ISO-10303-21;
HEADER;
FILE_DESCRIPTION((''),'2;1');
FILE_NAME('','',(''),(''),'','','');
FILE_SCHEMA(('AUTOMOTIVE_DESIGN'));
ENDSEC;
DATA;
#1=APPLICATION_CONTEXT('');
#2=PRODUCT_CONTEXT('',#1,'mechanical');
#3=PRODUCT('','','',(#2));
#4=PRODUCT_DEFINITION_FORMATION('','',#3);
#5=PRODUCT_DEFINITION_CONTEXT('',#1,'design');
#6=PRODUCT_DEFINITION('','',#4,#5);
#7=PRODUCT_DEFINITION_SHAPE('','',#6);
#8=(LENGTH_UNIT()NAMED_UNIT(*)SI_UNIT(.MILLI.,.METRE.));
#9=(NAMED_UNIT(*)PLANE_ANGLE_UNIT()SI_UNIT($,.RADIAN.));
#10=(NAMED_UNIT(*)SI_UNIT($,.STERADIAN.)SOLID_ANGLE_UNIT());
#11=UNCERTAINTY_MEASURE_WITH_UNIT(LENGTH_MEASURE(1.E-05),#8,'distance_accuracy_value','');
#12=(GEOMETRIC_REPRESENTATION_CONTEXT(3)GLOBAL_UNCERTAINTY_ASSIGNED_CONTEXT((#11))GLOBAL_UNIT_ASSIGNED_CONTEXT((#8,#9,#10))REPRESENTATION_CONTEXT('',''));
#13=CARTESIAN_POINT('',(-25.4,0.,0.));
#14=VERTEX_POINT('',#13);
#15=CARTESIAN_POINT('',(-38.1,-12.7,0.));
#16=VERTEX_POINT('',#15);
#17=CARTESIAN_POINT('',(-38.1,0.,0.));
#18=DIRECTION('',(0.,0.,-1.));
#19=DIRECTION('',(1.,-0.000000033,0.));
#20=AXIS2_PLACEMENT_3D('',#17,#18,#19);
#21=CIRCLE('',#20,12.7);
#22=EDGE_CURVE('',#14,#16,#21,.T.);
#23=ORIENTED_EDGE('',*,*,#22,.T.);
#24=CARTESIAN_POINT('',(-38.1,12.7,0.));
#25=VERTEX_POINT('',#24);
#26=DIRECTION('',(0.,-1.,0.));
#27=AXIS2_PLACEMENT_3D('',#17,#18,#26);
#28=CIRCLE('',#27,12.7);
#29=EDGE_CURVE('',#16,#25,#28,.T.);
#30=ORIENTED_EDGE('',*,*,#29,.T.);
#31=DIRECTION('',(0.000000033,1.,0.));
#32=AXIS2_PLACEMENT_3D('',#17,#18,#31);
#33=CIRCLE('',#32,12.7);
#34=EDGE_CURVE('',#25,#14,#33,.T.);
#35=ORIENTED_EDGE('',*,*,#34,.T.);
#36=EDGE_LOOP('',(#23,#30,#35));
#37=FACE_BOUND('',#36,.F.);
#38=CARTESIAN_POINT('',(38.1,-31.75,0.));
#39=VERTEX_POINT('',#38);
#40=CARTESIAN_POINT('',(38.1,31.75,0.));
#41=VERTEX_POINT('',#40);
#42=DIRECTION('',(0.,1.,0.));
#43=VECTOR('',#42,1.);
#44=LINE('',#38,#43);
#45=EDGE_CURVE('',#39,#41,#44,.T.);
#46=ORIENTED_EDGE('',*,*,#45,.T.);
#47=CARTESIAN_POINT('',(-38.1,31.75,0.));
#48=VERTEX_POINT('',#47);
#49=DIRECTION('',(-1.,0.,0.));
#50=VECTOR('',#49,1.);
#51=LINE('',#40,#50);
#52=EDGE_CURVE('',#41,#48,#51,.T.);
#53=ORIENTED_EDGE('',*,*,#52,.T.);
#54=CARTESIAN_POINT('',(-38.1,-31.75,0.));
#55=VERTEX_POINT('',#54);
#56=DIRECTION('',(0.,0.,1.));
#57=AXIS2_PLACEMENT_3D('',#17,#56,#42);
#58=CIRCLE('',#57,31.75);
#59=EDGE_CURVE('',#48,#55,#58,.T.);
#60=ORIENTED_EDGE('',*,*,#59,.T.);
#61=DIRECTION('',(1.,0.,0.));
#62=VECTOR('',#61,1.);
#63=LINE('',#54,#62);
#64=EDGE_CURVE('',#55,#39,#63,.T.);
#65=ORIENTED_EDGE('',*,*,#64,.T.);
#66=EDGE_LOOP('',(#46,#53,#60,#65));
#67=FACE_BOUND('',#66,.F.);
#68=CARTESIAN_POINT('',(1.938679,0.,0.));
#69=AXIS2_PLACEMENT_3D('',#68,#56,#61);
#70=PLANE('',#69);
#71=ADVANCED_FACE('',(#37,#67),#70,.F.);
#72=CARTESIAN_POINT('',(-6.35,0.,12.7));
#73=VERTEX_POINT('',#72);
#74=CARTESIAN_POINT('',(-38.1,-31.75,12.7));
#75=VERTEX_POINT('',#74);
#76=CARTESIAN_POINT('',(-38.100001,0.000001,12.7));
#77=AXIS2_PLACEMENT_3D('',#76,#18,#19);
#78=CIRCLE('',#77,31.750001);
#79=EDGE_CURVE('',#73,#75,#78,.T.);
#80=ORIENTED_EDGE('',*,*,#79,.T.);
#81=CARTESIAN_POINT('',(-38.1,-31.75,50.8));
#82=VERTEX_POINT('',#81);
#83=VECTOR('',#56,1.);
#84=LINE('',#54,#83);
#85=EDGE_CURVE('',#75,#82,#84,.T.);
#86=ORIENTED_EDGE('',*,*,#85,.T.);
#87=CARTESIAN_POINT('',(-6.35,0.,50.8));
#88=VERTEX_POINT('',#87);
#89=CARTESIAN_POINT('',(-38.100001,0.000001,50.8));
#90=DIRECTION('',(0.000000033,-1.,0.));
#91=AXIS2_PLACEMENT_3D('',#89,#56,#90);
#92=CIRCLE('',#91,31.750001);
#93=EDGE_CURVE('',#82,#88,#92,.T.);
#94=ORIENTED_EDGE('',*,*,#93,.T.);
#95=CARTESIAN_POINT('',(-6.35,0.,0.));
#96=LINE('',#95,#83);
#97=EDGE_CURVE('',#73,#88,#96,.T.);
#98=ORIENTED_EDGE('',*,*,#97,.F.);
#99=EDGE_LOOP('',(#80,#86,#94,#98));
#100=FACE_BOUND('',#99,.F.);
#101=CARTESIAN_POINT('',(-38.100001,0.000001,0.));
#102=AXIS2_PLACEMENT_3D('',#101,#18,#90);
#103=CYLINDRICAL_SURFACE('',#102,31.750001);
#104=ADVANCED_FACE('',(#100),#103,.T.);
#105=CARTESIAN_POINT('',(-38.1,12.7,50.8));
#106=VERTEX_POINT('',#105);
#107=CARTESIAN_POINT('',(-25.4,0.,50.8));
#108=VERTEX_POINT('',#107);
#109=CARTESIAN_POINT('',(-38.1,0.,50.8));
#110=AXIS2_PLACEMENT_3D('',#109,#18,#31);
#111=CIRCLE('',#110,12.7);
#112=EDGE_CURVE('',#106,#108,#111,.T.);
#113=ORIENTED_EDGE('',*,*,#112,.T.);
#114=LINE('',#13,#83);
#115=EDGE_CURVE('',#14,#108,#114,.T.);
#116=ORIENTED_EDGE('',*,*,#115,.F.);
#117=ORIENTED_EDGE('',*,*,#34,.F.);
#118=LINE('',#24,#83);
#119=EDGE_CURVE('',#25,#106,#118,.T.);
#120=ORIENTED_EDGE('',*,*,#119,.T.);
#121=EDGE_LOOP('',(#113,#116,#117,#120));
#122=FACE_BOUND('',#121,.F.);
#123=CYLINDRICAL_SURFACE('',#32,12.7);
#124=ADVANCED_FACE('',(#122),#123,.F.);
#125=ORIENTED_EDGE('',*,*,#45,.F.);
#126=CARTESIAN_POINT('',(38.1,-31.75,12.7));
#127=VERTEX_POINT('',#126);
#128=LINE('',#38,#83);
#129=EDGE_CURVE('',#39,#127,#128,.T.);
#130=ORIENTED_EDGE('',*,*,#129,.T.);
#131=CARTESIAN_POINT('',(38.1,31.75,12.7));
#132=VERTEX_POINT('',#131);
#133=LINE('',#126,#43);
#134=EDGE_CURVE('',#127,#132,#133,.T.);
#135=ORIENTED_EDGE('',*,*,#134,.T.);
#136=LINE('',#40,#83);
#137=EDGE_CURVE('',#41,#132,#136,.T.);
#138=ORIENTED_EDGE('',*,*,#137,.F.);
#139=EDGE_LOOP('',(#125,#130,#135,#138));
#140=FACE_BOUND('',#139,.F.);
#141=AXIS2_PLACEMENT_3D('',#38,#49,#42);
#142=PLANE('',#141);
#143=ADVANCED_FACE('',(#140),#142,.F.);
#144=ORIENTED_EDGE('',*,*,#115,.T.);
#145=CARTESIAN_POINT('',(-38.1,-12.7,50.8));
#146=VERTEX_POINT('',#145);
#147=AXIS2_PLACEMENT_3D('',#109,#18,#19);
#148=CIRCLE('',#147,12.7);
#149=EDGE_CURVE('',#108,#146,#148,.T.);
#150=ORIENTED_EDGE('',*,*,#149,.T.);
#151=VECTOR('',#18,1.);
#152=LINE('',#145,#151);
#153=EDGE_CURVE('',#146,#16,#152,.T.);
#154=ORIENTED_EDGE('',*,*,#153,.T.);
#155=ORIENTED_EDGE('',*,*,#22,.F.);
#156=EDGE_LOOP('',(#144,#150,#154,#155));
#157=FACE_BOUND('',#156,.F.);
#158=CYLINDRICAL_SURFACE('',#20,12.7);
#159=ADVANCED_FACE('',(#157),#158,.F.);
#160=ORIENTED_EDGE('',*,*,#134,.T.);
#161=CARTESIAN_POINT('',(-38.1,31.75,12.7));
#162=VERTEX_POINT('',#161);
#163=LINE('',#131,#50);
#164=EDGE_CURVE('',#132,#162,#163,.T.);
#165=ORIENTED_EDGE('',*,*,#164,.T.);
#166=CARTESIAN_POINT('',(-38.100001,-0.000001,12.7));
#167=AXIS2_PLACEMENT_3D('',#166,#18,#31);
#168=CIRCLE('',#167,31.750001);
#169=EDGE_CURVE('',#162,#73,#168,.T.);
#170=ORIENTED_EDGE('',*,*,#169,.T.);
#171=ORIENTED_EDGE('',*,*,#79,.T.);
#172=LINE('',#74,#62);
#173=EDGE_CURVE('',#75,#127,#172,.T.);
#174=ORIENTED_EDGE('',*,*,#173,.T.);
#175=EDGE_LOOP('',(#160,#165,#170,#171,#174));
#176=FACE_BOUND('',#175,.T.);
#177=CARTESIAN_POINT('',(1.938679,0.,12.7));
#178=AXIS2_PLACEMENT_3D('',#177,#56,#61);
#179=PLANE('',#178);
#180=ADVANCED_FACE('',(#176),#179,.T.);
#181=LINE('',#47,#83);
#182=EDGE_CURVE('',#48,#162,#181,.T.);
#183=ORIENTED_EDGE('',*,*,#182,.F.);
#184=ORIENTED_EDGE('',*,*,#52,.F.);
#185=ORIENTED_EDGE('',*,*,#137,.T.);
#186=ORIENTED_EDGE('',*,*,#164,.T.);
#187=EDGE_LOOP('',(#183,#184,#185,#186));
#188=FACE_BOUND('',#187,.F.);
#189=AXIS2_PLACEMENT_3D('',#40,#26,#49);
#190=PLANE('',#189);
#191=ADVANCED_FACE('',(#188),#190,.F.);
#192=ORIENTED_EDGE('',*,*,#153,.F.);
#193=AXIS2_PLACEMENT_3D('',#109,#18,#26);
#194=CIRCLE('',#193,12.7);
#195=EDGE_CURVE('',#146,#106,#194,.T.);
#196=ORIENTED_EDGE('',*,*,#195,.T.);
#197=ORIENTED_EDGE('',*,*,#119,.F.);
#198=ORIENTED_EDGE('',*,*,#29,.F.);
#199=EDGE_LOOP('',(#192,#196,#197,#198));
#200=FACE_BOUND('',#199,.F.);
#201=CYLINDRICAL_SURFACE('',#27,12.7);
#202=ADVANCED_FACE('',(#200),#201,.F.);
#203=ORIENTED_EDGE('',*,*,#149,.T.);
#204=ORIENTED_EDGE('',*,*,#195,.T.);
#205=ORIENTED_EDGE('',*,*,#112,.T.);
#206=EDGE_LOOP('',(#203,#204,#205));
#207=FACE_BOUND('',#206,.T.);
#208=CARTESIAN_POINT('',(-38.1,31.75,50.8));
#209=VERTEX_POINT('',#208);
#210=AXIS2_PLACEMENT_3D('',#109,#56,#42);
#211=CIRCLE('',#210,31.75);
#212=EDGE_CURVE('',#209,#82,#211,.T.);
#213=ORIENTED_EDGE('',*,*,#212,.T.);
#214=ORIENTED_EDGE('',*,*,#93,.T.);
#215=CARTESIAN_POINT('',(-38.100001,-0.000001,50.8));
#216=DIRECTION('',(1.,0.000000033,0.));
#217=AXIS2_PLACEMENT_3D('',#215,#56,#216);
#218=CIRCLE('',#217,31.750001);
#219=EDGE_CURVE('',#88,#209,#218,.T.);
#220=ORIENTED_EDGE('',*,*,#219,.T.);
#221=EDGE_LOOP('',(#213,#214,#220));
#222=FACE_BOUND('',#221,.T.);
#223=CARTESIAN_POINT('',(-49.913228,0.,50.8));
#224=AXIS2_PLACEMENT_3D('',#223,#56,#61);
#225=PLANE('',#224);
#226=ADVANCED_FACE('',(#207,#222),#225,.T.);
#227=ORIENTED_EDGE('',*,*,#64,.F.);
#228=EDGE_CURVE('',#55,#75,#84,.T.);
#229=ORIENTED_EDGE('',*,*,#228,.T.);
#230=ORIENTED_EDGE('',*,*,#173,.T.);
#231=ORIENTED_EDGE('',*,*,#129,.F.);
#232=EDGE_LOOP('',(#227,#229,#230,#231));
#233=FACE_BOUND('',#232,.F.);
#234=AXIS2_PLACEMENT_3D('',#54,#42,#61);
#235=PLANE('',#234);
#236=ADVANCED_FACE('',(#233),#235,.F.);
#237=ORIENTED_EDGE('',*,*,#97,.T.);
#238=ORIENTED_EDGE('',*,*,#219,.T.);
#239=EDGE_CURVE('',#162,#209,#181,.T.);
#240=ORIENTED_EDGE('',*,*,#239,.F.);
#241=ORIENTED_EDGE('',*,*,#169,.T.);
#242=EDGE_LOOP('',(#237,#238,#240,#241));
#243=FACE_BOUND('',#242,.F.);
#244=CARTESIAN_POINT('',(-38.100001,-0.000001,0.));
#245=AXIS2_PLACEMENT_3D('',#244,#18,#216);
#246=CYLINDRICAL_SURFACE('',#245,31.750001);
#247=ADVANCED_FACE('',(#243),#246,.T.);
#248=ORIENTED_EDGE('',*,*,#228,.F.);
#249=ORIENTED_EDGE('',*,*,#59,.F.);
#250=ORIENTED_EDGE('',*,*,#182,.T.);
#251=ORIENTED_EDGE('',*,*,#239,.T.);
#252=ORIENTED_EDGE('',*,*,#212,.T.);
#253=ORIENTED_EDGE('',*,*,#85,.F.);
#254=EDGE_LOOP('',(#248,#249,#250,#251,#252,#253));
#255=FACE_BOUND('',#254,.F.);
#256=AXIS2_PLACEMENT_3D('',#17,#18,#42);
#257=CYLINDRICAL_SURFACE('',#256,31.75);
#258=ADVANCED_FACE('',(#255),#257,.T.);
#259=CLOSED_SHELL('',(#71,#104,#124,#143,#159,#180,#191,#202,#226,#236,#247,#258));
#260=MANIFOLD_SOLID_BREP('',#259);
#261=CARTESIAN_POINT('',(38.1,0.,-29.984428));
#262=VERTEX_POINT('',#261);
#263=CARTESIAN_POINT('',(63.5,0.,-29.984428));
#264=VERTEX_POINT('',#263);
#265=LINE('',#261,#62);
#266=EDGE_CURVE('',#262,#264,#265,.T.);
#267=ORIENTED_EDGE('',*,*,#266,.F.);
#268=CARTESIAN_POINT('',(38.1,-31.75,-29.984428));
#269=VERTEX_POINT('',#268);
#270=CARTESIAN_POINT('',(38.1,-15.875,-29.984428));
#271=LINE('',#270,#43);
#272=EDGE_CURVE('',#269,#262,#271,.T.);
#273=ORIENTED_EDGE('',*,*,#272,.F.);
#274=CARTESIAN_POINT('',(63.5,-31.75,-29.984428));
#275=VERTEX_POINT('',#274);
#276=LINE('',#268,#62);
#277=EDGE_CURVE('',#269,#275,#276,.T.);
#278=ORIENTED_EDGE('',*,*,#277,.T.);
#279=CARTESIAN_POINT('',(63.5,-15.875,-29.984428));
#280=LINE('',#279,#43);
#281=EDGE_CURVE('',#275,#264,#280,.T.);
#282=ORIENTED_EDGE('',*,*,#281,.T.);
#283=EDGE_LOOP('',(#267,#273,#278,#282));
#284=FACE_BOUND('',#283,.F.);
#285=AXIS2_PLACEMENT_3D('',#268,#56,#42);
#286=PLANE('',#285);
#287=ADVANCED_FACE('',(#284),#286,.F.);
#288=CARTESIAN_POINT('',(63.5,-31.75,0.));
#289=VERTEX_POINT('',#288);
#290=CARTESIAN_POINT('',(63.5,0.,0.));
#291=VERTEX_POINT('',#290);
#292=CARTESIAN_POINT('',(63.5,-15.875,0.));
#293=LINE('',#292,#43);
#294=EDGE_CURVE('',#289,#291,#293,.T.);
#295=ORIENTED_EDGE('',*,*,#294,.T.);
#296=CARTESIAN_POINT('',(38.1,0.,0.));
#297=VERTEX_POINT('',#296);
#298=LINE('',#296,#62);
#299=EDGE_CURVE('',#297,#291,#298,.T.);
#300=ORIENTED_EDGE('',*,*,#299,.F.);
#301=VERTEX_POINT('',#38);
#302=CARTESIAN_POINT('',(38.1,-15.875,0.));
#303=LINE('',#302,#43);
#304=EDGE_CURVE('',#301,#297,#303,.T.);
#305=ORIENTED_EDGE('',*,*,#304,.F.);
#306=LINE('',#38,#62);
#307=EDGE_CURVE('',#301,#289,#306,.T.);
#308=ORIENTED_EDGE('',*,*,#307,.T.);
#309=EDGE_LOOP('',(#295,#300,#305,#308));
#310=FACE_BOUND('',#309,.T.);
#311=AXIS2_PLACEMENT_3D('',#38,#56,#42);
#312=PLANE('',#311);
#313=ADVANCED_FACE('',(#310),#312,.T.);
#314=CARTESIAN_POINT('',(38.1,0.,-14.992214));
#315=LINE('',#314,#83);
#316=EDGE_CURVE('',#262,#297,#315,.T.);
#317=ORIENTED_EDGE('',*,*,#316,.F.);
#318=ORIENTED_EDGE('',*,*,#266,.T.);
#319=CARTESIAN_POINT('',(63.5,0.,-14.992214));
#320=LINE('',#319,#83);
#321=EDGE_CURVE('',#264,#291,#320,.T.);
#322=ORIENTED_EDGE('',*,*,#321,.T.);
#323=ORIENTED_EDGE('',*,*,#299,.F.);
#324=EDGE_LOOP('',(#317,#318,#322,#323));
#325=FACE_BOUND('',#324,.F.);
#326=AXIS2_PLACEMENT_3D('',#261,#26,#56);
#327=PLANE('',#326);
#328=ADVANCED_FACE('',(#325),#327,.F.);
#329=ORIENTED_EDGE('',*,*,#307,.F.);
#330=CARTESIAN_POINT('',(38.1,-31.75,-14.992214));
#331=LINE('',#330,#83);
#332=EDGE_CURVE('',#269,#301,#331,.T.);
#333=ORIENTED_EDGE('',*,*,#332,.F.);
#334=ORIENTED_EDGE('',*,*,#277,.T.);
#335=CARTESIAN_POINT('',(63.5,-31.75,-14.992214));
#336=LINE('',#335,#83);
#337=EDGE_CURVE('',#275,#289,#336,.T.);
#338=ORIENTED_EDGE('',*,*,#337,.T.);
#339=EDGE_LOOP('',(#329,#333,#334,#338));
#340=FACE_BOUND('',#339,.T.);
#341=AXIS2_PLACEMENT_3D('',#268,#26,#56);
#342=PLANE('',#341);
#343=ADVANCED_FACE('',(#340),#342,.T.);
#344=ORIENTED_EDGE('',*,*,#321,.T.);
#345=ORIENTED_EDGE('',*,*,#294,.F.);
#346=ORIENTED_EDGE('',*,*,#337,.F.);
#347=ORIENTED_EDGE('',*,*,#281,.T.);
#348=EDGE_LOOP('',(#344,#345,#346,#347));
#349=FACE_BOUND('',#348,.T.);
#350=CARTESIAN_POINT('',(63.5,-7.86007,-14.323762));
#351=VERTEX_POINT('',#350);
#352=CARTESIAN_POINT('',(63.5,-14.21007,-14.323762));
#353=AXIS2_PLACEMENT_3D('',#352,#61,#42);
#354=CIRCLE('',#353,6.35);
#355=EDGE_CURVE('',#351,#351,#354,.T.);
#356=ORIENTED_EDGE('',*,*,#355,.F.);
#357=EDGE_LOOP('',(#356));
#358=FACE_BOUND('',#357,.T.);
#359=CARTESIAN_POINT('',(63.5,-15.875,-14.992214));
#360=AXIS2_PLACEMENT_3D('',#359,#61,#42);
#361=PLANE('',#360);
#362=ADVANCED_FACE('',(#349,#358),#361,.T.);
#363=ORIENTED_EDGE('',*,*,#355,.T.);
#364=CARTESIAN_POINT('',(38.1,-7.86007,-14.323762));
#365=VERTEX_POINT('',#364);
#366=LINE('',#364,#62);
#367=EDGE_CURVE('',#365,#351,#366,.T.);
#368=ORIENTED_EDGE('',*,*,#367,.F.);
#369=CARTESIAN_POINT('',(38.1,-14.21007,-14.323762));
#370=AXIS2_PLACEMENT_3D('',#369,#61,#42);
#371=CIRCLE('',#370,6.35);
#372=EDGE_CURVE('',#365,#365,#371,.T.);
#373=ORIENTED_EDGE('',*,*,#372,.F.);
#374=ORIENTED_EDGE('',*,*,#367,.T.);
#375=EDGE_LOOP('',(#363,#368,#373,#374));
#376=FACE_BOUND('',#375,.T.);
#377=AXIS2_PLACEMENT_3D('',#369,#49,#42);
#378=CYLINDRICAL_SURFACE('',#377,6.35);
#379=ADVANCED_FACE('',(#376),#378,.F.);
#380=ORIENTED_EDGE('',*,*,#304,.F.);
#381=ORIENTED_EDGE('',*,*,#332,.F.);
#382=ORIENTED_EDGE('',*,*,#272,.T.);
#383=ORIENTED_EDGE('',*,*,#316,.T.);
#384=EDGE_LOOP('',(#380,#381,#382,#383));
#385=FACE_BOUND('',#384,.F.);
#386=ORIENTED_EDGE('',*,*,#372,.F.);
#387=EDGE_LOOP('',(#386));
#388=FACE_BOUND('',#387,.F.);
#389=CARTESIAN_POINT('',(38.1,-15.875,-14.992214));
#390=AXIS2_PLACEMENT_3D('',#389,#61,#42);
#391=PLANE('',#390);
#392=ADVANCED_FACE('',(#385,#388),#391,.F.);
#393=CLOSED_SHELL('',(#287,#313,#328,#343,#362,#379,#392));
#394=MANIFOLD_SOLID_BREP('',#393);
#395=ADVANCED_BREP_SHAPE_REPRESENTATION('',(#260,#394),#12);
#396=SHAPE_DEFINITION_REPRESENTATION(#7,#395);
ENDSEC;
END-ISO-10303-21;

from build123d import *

# Parameters (mm, degrees)
F1_DEPTH = 12.7
F2_DEPTH = 50.8
F3_DEPTH = 50.8
F4_W     = 31.75
F4_H     = 29.984429
F4_R     = 6.35
F5_DEPTH = 25.4


with BuildPart() as f1:
    # F0 (on Top) → F1 (new body)
    with BuildSketch(Plane.XY):
        with BuildLine():
            Line((38.1, 31.75), (-38.1, 31.75))
            ThreePointArc((-38.1, 31.75), (-15.64936, 22.45064), (-6.35, 0))
            ThreePointArc((-6.35, 0), (-15.64936, -22.45064), (-38.1, -31.75))
            Line((-38.1, -31.75), (38.1, -31.75))
            Line((38.1, -31.75), (38.1, 31.75))
        make_face()
        with BuildLine():
            Line((-38.1, 12.7), (-38.1, 31.75))
            ThreePointArc((-38.1, 31.75), (-69.85, 0), (-38.1, -31.75))
            Line((-38.1, -31.75), (-38.1, -12.7))
            ThreePointArc((-38.1, -12.7), (-50.8, 0), (-38.1, 12.7))
        make_face()
    extrude(amount=F1_DEPTH)

    # F0 (on Top) → F2 (join)
    with BuildSketch(Plane.XY):
        with BuildLine():
            ThreePointArc((-6.35, 0), (-15.64936, 22.45064), (-38.1, 31.75))
            Line((-38.1, 31.75), (-38.1, 12.7))
            ThreePointArc((-38.1, 12.7), (-29.119744, 8.980256), (-25.4, 0))
            ThreePointArc((-25.4, 0), (-29.119744, -8.980256), (-38.1, -12.7))
            Line((-38.1, -12.7), (-38.1, -31.75))
            ThreePointArc((-38.1, -31.75), (-15.64936, -22.45064), (-6.35, 0))
        make_face()
    extrude(amount=F2_DEPTH)

    # F0 (on Top) → F3 (join)
    with BuildSketch(Plane.XY):
        with BuildLine():
            Line((-38.1, 12.7), (-38.1, 31.75))
            ThreePointArc((-38.1, 31.75), (-69.85, 0), (-38.1, -31.75))
            Line((-38.1, -31.75), (-38.1, -12.7))
            ThreePointArc((-38.1, -12.7), (-50.8, 0), (-38.1, 12.7))
        make_face()
    extrude(amount=F3_DEPTH)


with BuildPart() as f5:
    # F4 (on face) → F5 (new body)
    with BuildSketch(Plane.YZ.offset(38.1)):
        with Locations((-15.875, -14.992214)):
            Rectangle(F4_W, F4_H)
        with Locations((-14.21007, -14.323762)):
            Circle(F4_R, mode=Mode.SUBTRACT)
    extrude(amount=F5_DEPTH)


solid = Compound([f1.part, f5.part])
